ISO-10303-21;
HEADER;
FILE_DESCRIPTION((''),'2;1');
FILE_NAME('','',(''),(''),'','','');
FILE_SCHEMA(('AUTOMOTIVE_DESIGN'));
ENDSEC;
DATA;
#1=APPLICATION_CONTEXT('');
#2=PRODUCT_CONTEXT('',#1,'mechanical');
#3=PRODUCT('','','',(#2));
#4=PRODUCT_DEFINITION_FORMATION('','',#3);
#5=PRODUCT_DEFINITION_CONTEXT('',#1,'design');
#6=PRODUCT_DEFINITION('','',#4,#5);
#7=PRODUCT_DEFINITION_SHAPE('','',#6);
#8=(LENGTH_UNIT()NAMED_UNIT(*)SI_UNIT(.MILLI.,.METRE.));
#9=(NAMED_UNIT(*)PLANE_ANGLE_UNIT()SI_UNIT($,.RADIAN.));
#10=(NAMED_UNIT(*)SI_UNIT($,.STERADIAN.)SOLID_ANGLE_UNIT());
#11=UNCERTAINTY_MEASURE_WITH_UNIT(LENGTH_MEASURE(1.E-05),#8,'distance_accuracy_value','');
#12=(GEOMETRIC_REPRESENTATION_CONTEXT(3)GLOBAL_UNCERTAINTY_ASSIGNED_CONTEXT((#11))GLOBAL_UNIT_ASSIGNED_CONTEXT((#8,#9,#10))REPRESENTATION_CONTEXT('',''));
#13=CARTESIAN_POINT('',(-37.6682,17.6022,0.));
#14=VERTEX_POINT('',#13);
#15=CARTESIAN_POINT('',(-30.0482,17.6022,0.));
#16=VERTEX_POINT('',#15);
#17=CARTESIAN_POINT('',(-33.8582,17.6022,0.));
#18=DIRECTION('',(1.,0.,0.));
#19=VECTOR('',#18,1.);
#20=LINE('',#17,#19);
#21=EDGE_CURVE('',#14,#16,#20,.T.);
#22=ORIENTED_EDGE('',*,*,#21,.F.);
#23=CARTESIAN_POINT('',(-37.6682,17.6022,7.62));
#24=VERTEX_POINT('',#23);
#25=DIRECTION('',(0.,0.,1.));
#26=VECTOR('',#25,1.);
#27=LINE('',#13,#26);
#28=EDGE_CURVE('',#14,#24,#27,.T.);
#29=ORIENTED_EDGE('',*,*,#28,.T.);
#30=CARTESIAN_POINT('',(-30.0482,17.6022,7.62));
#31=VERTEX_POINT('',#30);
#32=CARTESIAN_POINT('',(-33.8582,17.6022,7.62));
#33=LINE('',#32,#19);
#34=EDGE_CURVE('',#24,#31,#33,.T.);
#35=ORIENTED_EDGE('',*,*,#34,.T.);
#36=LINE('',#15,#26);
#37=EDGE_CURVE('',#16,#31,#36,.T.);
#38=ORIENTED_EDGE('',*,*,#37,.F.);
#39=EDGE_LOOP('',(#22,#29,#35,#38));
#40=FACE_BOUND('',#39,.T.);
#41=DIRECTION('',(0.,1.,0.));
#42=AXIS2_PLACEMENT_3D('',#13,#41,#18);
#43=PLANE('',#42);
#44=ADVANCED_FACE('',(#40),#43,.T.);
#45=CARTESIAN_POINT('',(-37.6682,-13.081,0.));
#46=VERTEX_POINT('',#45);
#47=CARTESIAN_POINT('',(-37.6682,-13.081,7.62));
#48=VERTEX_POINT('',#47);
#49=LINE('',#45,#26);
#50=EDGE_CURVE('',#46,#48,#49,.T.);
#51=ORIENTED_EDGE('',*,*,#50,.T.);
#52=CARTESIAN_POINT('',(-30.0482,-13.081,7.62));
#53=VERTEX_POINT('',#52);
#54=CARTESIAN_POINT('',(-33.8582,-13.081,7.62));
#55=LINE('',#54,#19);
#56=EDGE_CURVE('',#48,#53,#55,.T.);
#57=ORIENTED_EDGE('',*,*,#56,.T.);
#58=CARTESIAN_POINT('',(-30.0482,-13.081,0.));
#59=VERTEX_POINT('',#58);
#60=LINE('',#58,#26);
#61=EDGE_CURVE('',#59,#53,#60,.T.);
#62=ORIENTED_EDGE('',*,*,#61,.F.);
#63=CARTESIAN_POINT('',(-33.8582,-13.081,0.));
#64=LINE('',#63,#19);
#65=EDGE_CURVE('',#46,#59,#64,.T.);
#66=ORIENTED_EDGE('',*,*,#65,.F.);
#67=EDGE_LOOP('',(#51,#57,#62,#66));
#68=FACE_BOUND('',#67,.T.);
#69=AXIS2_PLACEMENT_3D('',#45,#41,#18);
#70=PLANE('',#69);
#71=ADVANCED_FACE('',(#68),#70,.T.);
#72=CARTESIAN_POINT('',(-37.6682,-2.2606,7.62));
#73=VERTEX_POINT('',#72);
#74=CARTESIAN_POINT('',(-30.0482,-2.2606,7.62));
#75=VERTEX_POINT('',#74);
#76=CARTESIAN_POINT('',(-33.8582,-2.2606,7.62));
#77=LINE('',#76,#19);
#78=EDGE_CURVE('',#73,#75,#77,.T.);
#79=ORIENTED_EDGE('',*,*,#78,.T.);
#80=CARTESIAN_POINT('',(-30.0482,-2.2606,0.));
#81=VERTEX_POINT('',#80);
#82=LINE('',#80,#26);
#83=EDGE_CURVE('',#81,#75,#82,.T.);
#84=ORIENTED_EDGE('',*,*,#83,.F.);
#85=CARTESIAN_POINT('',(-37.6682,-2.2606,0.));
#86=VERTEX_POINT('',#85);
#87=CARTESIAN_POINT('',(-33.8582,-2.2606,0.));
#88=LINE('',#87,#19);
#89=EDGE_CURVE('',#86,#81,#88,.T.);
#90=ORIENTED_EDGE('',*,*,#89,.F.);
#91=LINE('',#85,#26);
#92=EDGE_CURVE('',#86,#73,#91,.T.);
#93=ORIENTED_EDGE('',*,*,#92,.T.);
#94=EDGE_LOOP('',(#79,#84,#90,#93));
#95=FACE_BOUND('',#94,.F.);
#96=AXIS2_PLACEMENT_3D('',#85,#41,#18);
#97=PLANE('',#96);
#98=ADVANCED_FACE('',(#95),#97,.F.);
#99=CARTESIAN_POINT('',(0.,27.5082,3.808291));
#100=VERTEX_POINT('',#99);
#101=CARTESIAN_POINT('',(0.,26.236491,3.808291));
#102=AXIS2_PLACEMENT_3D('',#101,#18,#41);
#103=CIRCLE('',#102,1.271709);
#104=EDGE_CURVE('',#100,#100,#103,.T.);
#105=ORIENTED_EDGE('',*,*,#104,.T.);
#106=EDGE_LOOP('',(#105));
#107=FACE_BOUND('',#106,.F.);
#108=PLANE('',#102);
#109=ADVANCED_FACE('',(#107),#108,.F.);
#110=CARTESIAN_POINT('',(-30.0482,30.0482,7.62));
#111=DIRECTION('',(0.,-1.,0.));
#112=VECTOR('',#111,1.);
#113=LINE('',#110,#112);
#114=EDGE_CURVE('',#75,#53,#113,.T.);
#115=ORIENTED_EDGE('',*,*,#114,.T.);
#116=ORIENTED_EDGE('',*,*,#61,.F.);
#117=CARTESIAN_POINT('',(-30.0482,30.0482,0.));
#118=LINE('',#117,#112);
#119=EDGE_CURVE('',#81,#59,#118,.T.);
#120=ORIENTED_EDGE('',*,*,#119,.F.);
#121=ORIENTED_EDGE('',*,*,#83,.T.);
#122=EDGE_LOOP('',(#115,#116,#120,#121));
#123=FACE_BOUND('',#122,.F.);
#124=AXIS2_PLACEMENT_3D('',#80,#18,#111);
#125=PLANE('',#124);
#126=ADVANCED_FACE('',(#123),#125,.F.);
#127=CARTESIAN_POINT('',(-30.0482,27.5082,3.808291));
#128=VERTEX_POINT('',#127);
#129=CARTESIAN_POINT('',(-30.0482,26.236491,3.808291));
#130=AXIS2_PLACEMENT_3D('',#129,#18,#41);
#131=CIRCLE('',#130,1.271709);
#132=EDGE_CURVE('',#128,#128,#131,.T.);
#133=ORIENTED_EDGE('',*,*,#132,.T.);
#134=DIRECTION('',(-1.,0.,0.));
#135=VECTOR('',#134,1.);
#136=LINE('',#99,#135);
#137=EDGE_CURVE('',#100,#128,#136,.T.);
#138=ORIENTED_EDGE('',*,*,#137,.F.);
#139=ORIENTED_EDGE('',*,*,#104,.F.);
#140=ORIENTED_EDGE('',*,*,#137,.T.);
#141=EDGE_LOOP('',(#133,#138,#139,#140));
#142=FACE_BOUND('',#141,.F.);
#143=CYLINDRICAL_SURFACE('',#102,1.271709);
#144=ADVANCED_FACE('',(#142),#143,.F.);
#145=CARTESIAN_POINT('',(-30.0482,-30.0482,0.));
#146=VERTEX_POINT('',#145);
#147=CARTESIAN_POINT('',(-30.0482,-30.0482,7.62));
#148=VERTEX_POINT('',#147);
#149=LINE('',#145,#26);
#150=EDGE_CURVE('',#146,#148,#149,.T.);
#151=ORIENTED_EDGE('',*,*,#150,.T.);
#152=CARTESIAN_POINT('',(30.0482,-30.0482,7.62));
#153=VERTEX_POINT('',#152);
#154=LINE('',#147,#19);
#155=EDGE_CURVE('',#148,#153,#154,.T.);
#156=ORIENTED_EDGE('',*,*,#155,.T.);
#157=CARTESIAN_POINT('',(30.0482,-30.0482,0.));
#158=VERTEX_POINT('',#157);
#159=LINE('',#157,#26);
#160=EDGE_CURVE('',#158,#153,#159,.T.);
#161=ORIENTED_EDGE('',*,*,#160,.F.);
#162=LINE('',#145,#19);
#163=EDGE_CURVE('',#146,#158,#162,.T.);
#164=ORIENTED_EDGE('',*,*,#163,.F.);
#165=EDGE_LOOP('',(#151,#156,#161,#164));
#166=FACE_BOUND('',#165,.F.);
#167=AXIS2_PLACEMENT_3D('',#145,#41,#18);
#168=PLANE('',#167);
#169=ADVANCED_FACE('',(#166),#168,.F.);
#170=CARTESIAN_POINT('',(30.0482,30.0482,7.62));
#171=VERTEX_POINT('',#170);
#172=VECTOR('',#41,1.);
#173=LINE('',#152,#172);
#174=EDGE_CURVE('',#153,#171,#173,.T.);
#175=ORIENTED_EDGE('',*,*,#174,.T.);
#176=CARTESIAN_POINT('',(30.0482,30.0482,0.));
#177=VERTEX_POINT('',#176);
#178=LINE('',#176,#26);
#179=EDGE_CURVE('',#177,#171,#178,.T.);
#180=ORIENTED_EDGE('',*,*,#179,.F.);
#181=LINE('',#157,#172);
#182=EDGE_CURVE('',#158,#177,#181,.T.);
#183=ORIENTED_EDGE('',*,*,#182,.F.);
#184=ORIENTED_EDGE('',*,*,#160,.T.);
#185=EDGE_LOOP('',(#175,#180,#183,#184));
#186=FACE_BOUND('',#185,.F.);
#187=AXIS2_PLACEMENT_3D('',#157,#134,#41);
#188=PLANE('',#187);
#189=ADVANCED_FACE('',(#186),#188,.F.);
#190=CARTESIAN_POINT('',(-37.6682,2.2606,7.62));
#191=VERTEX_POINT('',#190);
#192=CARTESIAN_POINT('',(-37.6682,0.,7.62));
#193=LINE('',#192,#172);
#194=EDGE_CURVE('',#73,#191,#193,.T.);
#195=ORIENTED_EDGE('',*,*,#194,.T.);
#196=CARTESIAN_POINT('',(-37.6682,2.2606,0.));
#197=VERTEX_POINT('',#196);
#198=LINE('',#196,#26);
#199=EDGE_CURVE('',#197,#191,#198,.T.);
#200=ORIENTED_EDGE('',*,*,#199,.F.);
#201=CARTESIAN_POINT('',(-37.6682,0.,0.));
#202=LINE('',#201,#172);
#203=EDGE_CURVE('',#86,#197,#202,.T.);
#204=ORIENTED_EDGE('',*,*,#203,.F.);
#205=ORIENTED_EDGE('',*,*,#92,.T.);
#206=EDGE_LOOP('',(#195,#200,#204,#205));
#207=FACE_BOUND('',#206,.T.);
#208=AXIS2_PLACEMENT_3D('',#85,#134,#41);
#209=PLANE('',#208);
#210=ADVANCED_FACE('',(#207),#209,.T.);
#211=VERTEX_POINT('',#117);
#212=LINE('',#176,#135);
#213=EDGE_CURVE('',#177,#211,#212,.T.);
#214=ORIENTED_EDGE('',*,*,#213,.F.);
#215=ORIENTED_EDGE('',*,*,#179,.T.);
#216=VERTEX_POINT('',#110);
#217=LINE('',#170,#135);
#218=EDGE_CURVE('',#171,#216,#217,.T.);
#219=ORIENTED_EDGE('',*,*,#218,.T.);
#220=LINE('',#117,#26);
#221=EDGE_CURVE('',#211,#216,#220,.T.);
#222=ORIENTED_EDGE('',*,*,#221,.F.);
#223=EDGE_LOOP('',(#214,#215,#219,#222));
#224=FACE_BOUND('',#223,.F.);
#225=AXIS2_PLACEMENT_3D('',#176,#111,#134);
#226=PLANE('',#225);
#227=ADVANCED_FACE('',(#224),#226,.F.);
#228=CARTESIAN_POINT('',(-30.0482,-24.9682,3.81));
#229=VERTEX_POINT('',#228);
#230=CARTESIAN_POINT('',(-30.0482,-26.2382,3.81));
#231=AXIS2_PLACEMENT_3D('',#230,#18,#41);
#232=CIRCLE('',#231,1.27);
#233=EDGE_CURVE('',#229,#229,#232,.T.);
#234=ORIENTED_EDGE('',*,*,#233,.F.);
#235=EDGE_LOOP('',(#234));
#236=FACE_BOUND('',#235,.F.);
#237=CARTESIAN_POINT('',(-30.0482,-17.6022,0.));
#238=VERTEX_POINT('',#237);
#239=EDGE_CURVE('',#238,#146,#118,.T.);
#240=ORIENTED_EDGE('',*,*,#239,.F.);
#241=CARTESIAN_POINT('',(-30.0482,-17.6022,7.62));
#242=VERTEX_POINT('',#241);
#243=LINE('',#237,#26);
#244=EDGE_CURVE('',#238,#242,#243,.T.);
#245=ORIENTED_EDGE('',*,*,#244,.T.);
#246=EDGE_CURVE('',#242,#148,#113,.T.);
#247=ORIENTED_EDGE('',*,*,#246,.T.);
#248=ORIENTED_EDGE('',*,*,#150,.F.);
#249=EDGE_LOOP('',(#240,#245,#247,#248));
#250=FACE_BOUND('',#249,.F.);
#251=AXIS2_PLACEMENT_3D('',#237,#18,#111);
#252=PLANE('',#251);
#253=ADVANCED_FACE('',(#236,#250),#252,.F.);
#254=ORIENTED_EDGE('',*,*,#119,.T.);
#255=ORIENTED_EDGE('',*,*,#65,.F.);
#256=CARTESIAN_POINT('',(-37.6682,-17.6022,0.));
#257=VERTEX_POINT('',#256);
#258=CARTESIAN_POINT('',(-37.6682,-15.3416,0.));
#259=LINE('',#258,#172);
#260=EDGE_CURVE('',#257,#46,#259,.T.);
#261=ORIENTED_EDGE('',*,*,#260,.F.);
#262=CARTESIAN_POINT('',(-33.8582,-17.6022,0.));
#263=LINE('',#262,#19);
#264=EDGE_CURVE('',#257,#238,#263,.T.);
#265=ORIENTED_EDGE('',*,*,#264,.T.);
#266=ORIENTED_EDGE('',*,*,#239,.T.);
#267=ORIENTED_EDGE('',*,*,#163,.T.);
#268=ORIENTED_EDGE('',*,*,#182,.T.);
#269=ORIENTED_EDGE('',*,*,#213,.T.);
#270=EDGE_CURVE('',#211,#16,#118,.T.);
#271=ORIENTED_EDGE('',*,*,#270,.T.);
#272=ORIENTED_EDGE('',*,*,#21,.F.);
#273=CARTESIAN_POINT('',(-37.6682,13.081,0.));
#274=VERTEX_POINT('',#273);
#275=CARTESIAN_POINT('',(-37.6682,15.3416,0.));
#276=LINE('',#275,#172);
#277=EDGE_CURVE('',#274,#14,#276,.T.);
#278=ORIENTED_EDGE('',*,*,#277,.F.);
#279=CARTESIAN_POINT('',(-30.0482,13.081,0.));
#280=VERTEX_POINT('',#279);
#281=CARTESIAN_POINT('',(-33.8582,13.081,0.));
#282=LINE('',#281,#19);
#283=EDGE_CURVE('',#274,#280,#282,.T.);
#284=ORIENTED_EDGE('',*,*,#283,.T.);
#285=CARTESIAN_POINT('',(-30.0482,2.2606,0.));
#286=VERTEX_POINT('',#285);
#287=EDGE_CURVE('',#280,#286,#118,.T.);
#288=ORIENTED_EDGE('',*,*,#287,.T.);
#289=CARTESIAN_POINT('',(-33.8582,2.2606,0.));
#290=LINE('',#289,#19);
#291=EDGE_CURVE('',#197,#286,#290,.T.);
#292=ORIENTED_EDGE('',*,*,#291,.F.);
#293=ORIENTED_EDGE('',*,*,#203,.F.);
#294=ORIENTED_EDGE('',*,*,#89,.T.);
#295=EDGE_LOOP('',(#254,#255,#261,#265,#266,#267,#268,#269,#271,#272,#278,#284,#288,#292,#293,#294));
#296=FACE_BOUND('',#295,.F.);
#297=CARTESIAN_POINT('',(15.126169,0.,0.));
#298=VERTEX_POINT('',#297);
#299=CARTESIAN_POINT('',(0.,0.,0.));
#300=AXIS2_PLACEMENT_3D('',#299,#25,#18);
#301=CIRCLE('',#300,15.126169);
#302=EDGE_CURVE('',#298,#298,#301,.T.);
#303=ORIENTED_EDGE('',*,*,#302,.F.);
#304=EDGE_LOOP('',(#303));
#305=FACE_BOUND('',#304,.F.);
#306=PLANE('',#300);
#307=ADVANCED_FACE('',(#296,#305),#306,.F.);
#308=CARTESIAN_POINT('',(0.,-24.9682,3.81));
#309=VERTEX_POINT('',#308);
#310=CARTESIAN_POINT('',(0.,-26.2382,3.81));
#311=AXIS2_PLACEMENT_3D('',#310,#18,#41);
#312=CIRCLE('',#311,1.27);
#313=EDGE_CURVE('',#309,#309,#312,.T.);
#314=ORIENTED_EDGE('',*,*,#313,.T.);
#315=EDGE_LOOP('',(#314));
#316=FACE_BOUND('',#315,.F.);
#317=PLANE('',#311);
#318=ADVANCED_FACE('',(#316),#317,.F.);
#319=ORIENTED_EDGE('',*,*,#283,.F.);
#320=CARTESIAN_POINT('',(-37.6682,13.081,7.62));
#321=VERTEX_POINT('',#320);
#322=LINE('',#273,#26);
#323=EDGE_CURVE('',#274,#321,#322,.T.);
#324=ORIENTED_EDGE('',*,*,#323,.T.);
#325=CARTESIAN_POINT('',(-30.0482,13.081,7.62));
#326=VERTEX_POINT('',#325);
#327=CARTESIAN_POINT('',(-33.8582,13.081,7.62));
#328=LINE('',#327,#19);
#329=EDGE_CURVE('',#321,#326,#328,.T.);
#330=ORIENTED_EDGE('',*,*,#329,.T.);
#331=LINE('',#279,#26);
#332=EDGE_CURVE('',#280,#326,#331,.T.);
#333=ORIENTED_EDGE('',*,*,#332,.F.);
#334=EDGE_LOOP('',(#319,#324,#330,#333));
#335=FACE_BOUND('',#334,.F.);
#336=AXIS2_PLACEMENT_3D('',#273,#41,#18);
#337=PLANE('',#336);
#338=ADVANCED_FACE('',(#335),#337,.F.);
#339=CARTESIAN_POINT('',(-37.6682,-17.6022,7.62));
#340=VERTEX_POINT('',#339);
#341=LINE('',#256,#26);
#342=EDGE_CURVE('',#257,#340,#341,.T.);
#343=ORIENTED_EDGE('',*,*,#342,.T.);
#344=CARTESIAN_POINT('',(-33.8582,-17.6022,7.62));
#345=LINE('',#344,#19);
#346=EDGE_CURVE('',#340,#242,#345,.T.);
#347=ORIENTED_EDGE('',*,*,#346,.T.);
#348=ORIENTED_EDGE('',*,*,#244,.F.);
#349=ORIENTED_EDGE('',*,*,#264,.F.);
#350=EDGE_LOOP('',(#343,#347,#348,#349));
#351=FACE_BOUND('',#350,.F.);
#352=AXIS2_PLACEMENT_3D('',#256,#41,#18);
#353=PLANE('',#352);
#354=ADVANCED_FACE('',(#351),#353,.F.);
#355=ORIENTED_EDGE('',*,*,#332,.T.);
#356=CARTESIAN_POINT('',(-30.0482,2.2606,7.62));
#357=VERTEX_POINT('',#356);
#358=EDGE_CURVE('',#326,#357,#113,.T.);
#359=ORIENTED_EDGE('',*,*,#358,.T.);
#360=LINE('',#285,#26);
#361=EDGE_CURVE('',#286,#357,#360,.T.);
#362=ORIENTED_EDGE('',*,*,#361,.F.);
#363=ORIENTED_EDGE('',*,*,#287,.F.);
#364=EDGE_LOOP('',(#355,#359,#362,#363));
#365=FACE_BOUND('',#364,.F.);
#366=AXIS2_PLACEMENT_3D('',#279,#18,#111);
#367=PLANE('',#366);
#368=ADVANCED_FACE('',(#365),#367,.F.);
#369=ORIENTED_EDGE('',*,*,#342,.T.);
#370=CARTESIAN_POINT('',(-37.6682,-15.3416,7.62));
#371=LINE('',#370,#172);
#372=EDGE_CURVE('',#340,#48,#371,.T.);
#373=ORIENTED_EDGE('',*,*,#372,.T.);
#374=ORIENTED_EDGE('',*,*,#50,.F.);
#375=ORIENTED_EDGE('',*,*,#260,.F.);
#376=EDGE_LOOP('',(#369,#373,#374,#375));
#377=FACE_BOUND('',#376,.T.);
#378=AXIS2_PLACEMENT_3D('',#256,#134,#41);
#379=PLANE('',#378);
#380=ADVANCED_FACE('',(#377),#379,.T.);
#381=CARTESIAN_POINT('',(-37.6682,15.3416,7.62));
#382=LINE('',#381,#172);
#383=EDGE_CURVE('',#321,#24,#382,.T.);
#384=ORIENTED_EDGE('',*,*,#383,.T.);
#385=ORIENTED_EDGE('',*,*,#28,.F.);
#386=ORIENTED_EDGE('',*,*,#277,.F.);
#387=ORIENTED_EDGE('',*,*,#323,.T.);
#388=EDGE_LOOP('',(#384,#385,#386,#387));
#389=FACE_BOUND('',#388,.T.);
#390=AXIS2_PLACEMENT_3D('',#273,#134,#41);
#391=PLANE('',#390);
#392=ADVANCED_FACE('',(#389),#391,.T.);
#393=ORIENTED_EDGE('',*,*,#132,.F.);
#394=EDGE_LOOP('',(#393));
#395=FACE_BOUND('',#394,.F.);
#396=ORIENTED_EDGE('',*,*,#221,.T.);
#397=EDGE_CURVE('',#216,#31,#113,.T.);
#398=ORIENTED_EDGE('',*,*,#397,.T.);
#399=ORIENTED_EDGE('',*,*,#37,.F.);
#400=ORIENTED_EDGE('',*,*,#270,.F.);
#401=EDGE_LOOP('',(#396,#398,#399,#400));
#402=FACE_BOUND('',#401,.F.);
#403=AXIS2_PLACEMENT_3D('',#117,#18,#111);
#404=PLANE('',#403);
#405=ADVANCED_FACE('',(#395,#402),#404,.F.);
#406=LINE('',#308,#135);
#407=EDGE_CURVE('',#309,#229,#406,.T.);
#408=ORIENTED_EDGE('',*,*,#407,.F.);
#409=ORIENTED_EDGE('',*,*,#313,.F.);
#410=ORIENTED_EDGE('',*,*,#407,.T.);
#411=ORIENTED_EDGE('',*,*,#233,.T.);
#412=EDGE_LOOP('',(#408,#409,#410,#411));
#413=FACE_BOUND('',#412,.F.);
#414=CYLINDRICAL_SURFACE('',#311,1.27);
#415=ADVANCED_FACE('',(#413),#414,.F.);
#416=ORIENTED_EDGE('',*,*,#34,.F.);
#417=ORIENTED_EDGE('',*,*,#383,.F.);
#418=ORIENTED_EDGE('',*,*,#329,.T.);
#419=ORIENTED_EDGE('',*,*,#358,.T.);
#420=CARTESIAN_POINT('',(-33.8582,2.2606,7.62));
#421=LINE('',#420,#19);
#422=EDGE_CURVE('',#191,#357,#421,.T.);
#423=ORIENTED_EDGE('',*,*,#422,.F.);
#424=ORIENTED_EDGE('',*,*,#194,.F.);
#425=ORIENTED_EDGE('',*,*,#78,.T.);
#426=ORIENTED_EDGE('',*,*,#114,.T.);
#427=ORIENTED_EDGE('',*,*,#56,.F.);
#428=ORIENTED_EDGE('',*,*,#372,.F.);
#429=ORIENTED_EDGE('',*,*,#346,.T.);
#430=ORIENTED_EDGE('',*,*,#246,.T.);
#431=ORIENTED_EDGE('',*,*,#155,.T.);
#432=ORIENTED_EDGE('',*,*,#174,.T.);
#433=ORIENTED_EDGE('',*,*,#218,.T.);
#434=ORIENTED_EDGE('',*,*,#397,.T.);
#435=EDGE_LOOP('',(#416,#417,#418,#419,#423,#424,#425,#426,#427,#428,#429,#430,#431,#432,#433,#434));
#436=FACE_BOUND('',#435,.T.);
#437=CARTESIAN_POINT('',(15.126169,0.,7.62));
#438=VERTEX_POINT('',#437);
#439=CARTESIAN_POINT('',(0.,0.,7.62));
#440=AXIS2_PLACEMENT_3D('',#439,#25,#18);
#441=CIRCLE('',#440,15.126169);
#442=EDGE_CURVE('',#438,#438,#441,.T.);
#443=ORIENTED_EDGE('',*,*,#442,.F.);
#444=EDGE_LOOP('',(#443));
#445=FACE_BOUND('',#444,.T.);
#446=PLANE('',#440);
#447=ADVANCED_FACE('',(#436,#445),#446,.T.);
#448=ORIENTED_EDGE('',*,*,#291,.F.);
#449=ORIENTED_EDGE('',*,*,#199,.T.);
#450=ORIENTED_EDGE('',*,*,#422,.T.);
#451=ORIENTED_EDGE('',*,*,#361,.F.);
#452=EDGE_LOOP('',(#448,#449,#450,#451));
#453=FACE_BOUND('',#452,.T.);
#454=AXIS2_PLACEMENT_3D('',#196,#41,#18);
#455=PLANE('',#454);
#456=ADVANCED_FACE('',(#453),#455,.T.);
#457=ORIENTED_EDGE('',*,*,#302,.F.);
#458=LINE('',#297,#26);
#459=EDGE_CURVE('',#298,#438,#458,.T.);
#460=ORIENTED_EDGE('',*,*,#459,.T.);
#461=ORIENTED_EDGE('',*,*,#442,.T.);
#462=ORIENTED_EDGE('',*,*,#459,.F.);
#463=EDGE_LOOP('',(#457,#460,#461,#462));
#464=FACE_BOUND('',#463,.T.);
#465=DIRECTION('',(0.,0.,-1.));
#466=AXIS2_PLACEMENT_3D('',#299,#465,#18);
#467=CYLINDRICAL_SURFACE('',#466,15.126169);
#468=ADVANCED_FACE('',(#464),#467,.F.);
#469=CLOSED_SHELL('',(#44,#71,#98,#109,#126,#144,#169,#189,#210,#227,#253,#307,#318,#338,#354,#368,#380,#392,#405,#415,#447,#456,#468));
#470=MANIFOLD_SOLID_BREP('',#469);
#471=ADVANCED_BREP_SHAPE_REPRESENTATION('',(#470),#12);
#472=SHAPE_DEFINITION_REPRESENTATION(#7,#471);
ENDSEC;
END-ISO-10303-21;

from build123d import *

# Parameters (mm, degrees)
F0_R     = 15.126169
F0_W     = 7.62
F0_H     = 4.5212
F1_DEPTH = 7.62
F2_R     = 1.271709
F3_DEPTH = 32.9692
F4_R     = 1.27
F5_DEPTH = 32.766


with BuildPart() as f1:
    # F0 (on Top) → F1 (new body)
    with BuildSketch(Plane.XY):
        Polygon((30.0482, 30.0482), (-30.0482, 30.0482), (-30.0482, 17.6022), (-30.0482, 13.081), (-30.0482, 2.2606), (-30.0482, -2.2606), (-30.0482, -13.081), (-30.0482, -17.6022), (-30.0482, -30.0482), (30.0482, -30.0482), align=None)
        Circle(F0_R, mode=Mode.SUBTRACT)
        with Locations((-33.8582, 15.3416)):
            Rectangle(F0_W, F0_H)
        with Locations((-33.8582, 0)):
            Rectangle(F0_W, F0_H)
        with Locations((-33.8582, -15.3416)):
            Rectangle(F0_W, F0_H)
    extrude(amount=F1_DEPTH)

    # F2 (on Right) → F3 (cut)
    with BuildSketch(Plane.YZ):
        with Locations((26.236491, 3.808291)):
            Circle(F2_R)
    extrude(amount=-F3_DEPTH, mode=Mode.SUBTRACT)

    # F4 (on Right) → F5 (cut)
    with BuildSketch(Plane.YZ):
        with Locations((-26.2382, 3.81)):
            Circle(F4_R)
    extrude(amount=-F5_DEPTH, mode=Mode.SUBTRACT)


solid = f1.part
